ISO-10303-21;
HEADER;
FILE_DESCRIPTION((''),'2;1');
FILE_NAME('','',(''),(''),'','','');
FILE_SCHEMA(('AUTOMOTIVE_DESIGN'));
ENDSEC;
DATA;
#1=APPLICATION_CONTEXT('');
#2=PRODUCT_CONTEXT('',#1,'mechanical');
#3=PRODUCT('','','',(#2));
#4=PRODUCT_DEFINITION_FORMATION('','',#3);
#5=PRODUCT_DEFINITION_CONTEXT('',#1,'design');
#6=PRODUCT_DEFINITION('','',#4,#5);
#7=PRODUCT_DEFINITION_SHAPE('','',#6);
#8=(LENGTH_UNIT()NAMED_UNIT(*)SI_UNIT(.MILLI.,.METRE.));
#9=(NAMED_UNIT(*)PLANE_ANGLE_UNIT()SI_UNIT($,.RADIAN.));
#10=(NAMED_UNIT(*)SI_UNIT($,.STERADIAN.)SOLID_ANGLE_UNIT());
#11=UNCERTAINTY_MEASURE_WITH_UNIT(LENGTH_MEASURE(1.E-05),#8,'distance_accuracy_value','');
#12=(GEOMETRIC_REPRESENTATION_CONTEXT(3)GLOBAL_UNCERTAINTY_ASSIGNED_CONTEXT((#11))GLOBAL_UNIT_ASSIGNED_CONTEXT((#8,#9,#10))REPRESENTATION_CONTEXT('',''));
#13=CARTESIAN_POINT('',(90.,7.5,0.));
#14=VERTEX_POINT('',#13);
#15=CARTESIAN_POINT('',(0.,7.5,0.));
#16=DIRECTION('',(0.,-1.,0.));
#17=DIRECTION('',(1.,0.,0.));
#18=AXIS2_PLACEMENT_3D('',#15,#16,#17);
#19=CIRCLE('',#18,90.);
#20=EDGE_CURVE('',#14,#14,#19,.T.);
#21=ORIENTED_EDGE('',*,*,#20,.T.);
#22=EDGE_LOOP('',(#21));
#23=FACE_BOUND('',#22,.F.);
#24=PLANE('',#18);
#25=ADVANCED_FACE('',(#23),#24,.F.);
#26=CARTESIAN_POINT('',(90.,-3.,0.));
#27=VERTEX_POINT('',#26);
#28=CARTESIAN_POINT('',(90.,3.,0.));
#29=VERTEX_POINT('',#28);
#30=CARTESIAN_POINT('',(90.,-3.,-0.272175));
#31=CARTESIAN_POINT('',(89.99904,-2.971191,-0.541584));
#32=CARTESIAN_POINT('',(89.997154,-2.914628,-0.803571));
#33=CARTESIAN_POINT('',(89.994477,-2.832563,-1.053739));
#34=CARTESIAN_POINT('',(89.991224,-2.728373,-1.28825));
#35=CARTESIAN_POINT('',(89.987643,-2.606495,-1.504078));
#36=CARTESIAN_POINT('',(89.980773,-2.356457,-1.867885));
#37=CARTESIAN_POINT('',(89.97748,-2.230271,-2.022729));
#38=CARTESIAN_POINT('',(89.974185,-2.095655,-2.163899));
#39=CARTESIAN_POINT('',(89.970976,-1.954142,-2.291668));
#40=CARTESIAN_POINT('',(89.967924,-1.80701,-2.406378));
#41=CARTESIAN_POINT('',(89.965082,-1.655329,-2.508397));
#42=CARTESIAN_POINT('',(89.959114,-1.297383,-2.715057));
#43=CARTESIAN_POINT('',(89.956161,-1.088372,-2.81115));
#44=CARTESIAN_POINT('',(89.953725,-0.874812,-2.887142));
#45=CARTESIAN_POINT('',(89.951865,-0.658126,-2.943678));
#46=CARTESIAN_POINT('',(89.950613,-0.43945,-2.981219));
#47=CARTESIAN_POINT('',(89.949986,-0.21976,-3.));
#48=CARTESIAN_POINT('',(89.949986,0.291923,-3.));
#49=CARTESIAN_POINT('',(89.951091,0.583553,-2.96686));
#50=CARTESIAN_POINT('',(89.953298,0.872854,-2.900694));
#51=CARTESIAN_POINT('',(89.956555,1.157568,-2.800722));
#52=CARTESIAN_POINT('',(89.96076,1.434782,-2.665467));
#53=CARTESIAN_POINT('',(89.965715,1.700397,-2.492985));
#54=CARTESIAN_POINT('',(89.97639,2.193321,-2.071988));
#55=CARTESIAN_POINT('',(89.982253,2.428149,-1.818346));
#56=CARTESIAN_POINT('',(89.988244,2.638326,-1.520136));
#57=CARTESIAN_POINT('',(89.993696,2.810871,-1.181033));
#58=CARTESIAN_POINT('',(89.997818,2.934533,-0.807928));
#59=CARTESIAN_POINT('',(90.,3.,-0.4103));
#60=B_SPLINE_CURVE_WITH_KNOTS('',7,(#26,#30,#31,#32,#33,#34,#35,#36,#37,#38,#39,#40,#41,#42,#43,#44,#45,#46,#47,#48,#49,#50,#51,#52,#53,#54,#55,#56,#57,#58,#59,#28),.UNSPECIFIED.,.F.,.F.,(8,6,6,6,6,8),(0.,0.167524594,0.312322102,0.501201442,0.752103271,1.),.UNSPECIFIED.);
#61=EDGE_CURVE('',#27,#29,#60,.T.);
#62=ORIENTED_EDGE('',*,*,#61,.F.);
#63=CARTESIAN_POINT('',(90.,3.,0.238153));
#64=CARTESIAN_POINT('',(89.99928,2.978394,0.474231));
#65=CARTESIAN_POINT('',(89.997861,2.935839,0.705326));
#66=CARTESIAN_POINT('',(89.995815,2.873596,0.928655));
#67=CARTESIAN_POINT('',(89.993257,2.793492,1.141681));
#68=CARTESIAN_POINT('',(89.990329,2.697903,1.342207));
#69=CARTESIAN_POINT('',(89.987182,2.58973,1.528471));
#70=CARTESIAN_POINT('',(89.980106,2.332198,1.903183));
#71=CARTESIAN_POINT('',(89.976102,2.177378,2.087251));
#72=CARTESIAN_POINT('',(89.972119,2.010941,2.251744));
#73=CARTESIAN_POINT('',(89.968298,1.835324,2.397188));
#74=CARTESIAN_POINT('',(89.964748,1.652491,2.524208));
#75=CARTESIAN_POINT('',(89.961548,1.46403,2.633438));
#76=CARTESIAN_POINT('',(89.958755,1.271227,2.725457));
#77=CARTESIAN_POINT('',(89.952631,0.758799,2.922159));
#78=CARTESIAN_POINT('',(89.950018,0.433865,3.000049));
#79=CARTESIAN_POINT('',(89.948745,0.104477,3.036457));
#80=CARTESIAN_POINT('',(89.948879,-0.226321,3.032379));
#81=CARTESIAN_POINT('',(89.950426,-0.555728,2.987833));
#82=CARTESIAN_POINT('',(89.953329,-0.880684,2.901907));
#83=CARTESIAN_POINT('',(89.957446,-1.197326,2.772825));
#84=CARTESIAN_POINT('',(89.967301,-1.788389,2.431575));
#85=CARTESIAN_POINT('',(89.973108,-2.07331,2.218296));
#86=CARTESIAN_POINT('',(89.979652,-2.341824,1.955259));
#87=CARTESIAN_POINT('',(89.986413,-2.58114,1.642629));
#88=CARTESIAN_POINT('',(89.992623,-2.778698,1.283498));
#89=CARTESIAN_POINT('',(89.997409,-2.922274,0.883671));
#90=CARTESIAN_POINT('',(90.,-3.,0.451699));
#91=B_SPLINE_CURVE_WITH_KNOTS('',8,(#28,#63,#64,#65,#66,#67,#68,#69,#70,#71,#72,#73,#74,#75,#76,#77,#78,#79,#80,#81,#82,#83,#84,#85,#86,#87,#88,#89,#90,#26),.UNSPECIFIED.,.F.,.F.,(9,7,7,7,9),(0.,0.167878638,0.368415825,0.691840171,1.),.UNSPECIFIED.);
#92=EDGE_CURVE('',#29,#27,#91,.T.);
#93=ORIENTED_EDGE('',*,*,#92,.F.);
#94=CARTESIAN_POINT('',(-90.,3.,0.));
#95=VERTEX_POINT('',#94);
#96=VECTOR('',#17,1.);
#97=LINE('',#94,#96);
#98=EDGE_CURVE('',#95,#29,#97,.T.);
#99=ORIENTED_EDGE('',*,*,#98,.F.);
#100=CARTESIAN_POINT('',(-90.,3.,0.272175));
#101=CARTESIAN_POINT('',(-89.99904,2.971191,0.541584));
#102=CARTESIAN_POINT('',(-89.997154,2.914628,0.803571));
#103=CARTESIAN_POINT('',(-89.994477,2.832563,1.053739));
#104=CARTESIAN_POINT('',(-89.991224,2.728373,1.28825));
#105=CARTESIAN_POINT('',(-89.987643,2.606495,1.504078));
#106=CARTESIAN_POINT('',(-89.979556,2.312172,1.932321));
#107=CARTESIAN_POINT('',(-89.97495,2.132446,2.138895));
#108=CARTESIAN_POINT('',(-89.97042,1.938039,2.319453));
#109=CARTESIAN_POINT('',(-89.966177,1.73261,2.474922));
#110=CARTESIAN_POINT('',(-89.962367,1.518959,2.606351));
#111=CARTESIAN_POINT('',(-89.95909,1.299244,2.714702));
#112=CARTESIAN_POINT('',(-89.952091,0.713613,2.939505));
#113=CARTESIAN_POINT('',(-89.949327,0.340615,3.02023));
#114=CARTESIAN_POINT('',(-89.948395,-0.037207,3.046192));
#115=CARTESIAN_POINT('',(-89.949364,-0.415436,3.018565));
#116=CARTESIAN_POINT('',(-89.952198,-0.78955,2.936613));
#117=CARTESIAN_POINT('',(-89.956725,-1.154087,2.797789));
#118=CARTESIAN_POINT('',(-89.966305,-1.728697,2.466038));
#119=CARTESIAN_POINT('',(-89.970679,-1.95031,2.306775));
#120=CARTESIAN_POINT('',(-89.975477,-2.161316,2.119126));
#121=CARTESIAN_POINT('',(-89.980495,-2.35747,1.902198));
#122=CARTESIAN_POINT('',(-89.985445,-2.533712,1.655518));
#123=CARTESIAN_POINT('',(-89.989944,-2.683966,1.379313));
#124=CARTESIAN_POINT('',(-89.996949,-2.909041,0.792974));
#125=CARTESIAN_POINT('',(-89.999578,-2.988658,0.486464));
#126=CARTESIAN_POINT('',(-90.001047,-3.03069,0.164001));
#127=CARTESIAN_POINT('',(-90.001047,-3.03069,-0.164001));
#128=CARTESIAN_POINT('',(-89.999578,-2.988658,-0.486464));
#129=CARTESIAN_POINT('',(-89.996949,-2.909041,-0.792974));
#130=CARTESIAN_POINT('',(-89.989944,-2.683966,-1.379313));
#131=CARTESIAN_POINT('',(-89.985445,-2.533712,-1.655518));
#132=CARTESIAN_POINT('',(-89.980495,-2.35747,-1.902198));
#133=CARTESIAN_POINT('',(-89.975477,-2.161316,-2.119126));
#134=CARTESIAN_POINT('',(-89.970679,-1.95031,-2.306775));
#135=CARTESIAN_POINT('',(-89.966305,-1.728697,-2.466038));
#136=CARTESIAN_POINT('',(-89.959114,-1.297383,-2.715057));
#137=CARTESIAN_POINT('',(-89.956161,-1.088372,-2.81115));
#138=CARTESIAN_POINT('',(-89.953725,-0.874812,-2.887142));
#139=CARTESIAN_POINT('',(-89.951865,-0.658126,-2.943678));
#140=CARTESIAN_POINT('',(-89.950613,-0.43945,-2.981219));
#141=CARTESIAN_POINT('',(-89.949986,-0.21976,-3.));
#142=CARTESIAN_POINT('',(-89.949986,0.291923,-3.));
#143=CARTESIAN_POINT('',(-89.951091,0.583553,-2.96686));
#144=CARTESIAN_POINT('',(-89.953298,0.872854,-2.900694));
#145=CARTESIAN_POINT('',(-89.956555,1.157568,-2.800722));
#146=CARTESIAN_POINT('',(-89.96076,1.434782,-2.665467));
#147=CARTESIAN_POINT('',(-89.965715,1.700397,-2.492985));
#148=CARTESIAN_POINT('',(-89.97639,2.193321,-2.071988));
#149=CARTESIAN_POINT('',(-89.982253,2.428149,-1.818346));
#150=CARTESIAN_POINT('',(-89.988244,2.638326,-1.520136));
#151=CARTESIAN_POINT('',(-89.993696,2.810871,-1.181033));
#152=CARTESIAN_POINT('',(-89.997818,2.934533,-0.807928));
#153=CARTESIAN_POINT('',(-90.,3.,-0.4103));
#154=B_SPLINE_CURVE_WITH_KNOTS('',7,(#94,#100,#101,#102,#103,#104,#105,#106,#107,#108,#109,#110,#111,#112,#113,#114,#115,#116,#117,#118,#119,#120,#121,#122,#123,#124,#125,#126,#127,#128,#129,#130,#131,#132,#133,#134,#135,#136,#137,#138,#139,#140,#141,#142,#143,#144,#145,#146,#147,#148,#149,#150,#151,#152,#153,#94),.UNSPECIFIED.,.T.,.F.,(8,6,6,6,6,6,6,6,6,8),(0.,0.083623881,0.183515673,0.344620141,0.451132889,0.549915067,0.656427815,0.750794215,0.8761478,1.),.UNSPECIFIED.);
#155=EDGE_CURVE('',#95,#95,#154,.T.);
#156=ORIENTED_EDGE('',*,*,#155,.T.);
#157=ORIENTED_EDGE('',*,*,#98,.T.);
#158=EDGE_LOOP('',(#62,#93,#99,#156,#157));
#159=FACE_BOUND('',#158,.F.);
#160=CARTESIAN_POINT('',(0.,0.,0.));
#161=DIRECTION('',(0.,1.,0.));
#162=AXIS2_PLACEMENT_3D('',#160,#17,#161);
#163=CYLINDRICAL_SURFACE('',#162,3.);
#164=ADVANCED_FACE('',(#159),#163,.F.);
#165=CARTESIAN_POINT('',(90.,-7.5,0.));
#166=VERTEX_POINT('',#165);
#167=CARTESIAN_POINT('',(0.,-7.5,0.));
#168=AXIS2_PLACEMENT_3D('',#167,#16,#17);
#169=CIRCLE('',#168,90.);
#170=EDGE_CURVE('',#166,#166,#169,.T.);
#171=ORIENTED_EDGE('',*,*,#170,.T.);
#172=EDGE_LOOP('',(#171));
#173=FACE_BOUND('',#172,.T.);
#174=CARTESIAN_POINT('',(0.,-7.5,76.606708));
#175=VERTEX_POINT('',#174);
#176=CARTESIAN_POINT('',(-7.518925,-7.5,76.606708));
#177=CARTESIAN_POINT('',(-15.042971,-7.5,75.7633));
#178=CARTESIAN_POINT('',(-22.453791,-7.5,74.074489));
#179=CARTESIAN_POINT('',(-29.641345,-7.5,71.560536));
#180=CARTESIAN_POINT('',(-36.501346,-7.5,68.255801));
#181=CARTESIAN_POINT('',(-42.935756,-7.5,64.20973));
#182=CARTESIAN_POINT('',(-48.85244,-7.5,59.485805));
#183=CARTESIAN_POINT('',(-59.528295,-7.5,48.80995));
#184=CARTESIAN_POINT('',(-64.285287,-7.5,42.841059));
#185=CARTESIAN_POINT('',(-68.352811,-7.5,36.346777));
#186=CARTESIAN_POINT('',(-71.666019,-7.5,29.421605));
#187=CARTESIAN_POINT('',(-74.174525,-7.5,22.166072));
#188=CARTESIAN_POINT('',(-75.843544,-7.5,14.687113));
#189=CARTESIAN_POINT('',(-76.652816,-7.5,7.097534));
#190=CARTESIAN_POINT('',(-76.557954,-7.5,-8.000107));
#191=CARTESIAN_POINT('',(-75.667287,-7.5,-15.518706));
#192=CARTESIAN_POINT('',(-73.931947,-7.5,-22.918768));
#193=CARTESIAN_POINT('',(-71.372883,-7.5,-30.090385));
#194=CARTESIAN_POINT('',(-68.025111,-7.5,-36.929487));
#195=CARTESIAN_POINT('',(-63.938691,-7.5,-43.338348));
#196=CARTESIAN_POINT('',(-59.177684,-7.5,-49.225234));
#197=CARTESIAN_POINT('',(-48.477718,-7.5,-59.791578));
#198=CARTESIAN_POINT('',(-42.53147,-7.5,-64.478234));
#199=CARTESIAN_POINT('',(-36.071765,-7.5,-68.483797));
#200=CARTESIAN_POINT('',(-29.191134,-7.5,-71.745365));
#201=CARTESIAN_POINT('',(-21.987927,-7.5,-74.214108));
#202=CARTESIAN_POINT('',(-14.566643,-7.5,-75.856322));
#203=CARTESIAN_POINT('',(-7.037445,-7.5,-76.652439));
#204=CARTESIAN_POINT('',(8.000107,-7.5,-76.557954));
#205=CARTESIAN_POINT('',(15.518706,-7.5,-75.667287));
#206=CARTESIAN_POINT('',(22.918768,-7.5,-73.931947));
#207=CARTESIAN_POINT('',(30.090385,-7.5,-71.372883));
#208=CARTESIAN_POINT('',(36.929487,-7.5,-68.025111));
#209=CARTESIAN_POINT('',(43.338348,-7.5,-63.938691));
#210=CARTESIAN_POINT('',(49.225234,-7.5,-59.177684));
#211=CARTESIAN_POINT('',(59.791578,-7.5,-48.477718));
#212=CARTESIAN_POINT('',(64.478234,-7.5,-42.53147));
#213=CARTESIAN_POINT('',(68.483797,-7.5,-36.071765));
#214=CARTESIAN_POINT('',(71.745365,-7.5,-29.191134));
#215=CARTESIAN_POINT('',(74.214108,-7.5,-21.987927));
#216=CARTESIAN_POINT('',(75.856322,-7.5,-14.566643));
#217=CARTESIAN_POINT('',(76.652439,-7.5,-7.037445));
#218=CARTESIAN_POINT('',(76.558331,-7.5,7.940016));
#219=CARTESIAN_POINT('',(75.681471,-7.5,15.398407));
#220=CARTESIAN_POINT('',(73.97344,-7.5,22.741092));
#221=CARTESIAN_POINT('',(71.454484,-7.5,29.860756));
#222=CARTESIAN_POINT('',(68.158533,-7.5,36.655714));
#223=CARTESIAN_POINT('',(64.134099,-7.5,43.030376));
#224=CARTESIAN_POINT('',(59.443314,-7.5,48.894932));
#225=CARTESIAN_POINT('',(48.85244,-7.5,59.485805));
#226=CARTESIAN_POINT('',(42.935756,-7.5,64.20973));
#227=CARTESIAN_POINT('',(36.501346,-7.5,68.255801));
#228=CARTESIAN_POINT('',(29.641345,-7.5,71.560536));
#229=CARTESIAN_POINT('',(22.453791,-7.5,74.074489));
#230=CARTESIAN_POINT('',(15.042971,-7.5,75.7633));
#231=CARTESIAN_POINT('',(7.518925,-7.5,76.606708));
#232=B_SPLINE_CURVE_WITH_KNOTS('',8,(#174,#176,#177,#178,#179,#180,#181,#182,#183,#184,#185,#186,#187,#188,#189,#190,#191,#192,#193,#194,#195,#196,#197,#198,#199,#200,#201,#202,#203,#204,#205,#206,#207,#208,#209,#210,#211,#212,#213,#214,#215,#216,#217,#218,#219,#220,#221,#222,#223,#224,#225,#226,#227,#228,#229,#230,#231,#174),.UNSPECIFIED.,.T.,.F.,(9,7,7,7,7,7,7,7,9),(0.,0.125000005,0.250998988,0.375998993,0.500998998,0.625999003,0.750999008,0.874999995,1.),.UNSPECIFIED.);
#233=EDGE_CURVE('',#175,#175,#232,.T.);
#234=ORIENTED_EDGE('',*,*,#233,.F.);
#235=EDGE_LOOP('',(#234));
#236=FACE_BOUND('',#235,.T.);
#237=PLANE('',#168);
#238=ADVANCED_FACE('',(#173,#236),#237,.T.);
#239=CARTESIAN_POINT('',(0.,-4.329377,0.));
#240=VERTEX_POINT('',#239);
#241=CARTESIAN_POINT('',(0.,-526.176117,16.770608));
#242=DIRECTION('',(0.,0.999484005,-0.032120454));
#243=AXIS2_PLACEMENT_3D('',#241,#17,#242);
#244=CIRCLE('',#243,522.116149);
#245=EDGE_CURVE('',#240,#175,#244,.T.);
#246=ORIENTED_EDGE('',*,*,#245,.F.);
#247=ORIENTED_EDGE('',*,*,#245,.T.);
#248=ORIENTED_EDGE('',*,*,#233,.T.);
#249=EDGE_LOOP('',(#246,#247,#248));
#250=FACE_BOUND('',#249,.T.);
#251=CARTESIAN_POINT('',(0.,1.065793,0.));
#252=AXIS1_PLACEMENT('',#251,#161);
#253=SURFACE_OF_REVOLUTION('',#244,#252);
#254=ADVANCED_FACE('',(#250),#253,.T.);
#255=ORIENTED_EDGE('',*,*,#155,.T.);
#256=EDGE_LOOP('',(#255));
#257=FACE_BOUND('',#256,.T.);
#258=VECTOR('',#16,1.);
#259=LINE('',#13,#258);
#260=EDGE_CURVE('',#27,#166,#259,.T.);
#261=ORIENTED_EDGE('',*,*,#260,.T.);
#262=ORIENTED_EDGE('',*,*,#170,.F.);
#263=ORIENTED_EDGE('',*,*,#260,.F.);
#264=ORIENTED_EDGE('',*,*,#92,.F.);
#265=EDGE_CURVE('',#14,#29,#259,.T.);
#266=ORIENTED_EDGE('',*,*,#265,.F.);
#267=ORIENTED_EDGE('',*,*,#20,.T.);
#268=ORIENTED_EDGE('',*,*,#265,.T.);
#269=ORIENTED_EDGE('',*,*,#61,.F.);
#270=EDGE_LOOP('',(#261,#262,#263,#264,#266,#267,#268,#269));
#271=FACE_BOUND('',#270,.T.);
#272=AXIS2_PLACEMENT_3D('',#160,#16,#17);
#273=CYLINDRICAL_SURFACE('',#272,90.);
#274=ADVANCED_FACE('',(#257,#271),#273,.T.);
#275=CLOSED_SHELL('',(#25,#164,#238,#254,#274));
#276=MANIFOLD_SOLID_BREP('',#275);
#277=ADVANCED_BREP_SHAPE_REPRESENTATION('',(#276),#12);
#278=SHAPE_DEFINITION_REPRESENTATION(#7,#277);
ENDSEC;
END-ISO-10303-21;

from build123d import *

# Parameters (mm, degrees)
F0_R     = 90
F1_DEPTH = 7.5
F2_R     = 3
F3_DEPTH = 90


with BuildPart() as f1:
    # F0 (on Front) → F1 (new body, symmetric)
    with BuildSketch(Plane.XZ):
        Circle(F0_R)
    extrude(amount=F1_DEPTH, both=True)

    # F2 (on Right) → F3 (cut, symmetric)
    with BuildSketch(Plane.YZ):
        Circle(F2_R)
    extrude(amount=F3_DEPTH, both=True, mode=Mode.SUBTRACT)

    # F5 (on Right) → F6 (revolve, cut)
    with BuildSketch(Plane.YZ):
        with BuildLine():
            Line((-7.9027169537, 80), (-7.9027169537, 0))
            Line((-7.9027169537, 0), (-4.3293770832, 0))
            ThreePointArc((-4.3293770832, 0), (-4.580031519, 40.0686088178), (-7.9027169537, 80))
        make_face()
    revolve(axis=Axis((0, 1.0657925159, 0), (0, 1, 0)), mode=Mode.SUBTRACT)


solid = f1.part
